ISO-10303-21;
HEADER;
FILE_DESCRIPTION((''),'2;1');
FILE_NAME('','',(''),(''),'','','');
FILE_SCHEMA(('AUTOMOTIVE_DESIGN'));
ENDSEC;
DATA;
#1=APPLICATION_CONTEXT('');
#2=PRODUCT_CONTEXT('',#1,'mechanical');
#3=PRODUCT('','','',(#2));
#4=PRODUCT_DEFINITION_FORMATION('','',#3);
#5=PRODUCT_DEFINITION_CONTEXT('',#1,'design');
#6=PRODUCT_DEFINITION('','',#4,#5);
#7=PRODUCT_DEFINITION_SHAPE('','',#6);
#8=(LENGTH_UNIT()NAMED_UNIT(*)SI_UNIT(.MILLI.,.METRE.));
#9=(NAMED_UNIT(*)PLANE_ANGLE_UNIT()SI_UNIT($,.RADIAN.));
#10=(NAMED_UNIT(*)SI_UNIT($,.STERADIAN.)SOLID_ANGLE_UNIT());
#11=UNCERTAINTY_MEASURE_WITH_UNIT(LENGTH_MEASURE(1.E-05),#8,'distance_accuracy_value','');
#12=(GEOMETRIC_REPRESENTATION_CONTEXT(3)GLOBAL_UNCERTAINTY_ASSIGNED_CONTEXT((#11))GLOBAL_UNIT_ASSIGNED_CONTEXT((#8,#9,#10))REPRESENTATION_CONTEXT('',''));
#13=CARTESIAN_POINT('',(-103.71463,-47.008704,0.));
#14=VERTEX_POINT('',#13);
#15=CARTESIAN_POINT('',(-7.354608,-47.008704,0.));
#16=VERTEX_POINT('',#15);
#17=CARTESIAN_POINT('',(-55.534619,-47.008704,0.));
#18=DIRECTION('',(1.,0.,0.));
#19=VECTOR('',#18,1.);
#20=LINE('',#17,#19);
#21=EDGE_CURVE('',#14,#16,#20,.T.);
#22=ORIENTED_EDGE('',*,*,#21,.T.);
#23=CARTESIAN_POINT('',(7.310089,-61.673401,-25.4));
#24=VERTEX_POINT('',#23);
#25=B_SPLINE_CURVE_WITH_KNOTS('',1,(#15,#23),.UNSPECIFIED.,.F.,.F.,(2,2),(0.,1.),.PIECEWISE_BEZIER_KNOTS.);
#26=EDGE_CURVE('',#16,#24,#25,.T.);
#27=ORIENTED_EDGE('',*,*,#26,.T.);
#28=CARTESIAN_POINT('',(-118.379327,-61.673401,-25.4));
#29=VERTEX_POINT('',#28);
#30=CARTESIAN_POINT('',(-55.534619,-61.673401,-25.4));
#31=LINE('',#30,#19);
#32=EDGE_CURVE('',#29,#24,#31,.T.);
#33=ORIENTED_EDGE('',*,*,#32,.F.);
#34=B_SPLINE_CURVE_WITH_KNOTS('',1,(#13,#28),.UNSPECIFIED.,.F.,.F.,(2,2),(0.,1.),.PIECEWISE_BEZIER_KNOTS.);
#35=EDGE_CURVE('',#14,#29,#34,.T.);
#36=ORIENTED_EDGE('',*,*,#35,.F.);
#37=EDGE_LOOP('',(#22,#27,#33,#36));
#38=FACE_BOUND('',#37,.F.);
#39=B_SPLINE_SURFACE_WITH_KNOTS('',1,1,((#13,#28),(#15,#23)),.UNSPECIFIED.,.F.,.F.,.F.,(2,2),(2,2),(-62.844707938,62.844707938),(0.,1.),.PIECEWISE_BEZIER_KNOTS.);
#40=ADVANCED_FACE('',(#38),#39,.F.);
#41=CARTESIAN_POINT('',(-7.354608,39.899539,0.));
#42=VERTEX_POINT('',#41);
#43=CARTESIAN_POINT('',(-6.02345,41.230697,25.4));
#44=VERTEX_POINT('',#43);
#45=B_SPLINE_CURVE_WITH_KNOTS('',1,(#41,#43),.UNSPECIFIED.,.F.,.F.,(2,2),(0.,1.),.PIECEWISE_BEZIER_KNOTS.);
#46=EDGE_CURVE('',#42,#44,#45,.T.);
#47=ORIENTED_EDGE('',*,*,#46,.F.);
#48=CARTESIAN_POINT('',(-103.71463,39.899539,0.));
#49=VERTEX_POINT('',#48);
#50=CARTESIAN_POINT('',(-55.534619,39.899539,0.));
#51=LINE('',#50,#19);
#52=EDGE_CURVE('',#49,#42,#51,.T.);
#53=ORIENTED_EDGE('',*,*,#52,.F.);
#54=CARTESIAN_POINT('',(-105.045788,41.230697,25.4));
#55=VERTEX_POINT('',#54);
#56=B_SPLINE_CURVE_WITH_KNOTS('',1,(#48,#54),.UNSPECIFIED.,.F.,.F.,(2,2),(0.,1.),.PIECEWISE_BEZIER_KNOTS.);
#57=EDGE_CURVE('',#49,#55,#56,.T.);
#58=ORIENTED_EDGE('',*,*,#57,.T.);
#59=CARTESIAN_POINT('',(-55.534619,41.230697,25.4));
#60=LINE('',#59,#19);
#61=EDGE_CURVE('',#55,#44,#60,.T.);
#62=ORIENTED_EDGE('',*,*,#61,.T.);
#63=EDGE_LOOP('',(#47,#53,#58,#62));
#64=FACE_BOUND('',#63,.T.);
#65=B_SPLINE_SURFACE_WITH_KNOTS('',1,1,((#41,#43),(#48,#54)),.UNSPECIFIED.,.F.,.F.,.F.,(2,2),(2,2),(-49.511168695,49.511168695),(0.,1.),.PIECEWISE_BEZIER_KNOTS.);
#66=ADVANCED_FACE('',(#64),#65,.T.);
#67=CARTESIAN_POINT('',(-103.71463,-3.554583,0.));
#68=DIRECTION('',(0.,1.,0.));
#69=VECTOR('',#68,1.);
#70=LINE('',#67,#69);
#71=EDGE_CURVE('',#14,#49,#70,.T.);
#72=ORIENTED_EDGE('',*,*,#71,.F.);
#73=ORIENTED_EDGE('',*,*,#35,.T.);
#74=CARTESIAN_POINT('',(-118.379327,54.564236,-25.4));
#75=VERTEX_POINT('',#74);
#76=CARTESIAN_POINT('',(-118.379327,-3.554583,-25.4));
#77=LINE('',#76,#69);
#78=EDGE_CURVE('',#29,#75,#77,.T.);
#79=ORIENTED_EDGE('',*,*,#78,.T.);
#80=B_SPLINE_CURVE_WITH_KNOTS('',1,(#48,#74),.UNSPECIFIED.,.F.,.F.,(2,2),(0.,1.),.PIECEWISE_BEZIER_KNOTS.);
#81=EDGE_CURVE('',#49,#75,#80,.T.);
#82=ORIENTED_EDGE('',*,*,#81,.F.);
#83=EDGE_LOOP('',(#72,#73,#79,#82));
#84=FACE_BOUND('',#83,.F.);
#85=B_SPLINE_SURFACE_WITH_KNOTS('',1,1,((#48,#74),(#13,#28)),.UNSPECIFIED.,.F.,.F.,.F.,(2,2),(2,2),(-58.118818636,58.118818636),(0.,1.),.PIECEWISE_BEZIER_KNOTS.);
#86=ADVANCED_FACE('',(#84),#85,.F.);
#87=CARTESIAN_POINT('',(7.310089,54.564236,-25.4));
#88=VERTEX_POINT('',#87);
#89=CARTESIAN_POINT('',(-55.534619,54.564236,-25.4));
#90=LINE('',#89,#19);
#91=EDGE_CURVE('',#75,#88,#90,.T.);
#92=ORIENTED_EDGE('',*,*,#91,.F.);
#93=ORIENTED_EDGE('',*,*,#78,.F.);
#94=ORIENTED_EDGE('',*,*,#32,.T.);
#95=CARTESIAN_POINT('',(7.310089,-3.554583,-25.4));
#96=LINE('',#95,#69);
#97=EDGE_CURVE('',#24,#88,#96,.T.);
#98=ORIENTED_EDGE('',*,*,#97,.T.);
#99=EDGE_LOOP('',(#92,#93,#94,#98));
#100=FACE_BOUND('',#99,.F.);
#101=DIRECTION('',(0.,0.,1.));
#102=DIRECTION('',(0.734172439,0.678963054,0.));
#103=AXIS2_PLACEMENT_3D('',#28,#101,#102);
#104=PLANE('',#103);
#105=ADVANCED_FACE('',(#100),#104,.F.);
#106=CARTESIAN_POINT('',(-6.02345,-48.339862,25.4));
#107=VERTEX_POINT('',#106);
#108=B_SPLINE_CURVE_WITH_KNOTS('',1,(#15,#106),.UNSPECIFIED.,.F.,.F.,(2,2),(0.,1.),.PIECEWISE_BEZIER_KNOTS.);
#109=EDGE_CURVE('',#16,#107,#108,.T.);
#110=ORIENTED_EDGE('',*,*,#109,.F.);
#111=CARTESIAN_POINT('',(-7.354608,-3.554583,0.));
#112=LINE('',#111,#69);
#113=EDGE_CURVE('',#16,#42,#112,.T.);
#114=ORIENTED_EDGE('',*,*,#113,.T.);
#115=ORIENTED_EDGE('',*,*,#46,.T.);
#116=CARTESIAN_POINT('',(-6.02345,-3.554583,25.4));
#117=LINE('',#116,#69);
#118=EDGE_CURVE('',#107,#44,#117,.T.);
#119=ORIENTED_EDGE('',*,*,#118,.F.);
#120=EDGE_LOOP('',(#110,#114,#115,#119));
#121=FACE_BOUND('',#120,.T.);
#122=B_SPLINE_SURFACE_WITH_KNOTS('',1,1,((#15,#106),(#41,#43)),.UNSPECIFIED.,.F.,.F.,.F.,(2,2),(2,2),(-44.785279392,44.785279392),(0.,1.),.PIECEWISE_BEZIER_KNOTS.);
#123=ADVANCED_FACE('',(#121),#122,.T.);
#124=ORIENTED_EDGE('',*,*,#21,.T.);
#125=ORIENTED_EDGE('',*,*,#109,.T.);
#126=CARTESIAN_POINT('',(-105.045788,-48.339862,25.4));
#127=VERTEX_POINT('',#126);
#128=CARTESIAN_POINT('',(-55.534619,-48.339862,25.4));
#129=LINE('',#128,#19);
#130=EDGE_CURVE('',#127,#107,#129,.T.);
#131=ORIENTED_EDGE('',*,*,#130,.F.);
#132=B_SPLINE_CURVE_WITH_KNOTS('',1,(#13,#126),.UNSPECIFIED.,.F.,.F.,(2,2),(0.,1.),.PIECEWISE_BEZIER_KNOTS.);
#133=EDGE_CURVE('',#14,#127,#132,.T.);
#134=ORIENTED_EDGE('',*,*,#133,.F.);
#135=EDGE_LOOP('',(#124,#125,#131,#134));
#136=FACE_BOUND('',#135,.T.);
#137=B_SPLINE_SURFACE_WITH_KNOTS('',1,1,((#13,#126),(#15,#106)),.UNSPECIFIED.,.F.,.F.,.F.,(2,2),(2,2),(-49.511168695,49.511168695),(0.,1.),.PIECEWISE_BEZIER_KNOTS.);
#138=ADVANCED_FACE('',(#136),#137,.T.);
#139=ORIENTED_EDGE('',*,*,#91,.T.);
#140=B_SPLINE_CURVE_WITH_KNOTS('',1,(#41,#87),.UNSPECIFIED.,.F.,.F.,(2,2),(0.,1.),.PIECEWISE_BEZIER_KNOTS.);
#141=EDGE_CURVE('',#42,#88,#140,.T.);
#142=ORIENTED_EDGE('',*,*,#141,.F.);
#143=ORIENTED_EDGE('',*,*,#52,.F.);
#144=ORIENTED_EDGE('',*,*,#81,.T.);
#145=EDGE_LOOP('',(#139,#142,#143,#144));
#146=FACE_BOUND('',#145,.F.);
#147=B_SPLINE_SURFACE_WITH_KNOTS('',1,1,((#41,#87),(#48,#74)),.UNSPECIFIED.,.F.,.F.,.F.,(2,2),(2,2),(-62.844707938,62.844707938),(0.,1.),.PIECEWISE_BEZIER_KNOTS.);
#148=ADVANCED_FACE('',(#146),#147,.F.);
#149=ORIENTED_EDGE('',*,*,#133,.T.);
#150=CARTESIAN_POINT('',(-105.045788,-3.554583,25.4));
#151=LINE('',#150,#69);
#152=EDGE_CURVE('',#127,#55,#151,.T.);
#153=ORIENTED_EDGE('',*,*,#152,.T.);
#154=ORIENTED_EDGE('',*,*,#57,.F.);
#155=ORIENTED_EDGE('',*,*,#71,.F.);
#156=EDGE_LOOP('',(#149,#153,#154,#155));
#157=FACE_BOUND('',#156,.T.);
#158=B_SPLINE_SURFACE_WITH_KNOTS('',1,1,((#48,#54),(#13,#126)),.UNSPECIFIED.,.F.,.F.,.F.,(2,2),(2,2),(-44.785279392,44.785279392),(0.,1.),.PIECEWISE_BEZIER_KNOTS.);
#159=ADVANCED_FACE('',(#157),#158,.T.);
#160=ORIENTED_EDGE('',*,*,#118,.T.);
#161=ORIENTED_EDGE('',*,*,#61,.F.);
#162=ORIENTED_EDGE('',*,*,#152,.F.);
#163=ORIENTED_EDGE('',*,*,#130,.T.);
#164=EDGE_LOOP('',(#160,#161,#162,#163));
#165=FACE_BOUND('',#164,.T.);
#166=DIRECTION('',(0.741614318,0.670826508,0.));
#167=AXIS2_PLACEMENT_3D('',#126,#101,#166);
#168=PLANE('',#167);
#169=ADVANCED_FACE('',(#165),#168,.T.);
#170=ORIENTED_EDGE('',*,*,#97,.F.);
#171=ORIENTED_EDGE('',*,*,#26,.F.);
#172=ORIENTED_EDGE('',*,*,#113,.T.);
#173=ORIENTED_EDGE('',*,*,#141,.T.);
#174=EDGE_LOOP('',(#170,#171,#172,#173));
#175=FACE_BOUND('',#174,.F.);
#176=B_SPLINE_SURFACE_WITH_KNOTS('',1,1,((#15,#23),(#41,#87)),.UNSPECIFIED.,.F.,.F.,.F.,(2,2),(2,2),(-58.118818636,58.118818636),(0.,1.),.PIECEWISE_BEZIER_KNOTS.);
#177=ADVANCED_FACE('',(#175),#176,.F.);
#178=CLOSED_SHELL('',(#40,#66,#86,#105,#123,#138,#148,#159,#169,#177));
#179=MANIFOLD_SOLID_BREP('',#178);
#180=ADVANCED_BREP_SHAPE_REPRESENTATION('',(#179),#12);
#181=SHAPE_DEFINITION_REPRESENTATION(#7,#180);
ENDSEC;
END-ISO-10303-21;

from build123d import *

# Parameters (mm, degrees)
F0_W          = 96.3600222021
F0_H          = 86.9082435966
F1_DEPTH      = 25.4
F1_TAPER      = -3
F1_DEPTH_BACK = 25.4
F1_TAPER_BACK = -30


with BuildPart() as f1:
    # F0 (on Top) → F1 (new body, two sides)
    with BuildSketch(Plane.XY) as f1_sk:
        with Locations((-55.5346189067, -3.5545825958)):
            Rectangle(F0_W, F0_H)
    extrude(amount=F1_DEPTH, taper=F1_TAPER)
    extrude(f1_sk.sketch, amount=-F1_DEPTH_BACK, taper=F1_TAPER_BACK)


solid = f1.part
